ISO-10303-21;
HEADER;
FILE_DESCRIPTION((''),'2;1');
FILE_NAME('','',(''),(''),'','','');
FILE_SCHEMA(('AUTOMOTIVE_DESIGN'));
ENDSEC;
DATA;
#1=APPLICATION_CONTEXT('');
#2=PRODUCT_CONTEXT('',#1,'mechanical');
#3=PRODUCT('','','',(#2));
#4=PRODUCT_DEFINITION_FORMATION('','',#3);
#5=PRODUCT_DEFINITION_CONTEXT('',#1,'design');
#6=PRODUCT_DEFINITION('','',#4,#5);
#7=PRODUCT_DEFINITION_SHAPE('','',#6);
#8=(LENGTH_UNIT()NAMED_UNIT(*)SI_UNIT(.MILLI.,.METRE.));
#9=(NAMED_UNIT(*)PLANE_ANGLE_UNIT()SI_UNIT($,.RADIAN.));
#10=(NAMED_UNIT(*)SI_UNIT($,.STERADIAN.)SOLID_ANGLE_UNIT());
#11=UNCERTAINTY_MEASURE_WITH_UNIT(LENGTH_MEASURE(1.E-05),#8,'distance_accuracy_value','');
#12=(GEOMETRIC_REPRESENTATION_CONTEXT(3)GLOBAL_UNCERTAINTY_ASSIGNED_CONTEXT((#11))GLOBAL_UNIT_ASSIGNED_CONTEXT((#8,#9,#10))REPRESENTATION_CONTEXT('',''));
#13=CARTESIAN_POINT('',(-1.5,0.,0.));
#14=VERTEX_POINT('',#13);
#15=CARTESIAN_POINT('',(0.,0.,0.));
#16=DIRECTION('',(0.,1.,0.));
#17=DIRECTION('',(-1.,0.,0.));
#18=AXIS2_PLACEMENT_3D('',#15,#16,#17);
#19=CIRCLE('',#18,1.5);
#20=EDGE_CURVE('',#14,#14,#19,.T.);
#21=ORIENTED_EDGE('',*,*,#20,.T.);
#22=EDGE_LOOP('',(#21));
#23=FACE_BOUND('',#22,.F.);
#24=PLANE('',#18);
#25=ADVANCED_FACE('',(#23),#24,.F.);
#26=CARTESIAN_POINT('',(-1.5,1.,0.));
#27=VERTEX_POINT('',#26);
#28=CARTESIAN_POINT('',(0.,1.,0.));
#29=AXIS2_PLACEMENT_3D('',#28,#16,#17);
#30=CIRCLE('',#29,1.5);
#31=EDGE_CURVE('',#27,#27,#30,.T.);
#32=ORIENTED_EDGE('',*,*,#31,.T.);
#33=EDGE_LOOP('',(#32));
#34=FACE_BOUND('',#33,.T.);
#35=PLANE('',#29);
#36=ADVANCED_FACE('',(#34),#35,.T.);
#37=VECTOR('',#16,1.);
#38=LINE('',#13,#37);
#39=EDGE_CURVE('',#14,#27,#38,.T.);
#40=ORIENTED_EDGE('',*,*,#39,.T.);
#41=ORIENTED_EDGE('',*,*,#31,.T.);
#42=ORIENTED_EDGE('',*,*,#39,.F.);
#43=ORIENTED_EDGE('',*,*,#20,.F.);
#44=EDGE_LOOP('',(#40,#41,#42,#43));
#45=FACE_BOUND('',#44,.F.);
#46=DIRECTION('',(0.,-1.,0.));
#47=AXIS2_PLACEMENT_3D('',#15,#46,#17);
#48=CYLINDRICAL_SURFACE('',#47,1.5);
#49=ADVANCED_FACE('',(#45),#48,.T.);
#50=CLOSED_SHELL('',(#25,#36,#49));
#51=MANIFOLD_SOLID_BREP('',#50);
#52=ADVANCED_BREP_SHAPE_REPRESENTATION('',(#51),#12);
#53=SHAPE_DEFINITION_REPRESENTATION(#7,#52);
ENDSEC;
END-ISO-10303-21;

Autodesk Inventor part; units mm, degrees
ref_plane "YZ Plane" through (0, 0, 0) normal (1, 0, 0) x (0, 1, 0)
ref_plane "XZ Plane" through (0, 0, 0) normal (0, 1, 0) x (-1, 0, 0)
ref_plane "XY Plane" through (0, 0, 0) normal (0, 0, 1) x (1, 0, 0)
sketch "Sketch1" plane through (0, 0, 0) normal (0, 1, 0) x (-1, 0, 0)
  circle A0 centre (0, 0) radius 1.5
  dimension "d0" = 3
extrude "Extrusion1" add sketch "Sketch1" along normal blind 1
properties part number "mouse_button_extension"
